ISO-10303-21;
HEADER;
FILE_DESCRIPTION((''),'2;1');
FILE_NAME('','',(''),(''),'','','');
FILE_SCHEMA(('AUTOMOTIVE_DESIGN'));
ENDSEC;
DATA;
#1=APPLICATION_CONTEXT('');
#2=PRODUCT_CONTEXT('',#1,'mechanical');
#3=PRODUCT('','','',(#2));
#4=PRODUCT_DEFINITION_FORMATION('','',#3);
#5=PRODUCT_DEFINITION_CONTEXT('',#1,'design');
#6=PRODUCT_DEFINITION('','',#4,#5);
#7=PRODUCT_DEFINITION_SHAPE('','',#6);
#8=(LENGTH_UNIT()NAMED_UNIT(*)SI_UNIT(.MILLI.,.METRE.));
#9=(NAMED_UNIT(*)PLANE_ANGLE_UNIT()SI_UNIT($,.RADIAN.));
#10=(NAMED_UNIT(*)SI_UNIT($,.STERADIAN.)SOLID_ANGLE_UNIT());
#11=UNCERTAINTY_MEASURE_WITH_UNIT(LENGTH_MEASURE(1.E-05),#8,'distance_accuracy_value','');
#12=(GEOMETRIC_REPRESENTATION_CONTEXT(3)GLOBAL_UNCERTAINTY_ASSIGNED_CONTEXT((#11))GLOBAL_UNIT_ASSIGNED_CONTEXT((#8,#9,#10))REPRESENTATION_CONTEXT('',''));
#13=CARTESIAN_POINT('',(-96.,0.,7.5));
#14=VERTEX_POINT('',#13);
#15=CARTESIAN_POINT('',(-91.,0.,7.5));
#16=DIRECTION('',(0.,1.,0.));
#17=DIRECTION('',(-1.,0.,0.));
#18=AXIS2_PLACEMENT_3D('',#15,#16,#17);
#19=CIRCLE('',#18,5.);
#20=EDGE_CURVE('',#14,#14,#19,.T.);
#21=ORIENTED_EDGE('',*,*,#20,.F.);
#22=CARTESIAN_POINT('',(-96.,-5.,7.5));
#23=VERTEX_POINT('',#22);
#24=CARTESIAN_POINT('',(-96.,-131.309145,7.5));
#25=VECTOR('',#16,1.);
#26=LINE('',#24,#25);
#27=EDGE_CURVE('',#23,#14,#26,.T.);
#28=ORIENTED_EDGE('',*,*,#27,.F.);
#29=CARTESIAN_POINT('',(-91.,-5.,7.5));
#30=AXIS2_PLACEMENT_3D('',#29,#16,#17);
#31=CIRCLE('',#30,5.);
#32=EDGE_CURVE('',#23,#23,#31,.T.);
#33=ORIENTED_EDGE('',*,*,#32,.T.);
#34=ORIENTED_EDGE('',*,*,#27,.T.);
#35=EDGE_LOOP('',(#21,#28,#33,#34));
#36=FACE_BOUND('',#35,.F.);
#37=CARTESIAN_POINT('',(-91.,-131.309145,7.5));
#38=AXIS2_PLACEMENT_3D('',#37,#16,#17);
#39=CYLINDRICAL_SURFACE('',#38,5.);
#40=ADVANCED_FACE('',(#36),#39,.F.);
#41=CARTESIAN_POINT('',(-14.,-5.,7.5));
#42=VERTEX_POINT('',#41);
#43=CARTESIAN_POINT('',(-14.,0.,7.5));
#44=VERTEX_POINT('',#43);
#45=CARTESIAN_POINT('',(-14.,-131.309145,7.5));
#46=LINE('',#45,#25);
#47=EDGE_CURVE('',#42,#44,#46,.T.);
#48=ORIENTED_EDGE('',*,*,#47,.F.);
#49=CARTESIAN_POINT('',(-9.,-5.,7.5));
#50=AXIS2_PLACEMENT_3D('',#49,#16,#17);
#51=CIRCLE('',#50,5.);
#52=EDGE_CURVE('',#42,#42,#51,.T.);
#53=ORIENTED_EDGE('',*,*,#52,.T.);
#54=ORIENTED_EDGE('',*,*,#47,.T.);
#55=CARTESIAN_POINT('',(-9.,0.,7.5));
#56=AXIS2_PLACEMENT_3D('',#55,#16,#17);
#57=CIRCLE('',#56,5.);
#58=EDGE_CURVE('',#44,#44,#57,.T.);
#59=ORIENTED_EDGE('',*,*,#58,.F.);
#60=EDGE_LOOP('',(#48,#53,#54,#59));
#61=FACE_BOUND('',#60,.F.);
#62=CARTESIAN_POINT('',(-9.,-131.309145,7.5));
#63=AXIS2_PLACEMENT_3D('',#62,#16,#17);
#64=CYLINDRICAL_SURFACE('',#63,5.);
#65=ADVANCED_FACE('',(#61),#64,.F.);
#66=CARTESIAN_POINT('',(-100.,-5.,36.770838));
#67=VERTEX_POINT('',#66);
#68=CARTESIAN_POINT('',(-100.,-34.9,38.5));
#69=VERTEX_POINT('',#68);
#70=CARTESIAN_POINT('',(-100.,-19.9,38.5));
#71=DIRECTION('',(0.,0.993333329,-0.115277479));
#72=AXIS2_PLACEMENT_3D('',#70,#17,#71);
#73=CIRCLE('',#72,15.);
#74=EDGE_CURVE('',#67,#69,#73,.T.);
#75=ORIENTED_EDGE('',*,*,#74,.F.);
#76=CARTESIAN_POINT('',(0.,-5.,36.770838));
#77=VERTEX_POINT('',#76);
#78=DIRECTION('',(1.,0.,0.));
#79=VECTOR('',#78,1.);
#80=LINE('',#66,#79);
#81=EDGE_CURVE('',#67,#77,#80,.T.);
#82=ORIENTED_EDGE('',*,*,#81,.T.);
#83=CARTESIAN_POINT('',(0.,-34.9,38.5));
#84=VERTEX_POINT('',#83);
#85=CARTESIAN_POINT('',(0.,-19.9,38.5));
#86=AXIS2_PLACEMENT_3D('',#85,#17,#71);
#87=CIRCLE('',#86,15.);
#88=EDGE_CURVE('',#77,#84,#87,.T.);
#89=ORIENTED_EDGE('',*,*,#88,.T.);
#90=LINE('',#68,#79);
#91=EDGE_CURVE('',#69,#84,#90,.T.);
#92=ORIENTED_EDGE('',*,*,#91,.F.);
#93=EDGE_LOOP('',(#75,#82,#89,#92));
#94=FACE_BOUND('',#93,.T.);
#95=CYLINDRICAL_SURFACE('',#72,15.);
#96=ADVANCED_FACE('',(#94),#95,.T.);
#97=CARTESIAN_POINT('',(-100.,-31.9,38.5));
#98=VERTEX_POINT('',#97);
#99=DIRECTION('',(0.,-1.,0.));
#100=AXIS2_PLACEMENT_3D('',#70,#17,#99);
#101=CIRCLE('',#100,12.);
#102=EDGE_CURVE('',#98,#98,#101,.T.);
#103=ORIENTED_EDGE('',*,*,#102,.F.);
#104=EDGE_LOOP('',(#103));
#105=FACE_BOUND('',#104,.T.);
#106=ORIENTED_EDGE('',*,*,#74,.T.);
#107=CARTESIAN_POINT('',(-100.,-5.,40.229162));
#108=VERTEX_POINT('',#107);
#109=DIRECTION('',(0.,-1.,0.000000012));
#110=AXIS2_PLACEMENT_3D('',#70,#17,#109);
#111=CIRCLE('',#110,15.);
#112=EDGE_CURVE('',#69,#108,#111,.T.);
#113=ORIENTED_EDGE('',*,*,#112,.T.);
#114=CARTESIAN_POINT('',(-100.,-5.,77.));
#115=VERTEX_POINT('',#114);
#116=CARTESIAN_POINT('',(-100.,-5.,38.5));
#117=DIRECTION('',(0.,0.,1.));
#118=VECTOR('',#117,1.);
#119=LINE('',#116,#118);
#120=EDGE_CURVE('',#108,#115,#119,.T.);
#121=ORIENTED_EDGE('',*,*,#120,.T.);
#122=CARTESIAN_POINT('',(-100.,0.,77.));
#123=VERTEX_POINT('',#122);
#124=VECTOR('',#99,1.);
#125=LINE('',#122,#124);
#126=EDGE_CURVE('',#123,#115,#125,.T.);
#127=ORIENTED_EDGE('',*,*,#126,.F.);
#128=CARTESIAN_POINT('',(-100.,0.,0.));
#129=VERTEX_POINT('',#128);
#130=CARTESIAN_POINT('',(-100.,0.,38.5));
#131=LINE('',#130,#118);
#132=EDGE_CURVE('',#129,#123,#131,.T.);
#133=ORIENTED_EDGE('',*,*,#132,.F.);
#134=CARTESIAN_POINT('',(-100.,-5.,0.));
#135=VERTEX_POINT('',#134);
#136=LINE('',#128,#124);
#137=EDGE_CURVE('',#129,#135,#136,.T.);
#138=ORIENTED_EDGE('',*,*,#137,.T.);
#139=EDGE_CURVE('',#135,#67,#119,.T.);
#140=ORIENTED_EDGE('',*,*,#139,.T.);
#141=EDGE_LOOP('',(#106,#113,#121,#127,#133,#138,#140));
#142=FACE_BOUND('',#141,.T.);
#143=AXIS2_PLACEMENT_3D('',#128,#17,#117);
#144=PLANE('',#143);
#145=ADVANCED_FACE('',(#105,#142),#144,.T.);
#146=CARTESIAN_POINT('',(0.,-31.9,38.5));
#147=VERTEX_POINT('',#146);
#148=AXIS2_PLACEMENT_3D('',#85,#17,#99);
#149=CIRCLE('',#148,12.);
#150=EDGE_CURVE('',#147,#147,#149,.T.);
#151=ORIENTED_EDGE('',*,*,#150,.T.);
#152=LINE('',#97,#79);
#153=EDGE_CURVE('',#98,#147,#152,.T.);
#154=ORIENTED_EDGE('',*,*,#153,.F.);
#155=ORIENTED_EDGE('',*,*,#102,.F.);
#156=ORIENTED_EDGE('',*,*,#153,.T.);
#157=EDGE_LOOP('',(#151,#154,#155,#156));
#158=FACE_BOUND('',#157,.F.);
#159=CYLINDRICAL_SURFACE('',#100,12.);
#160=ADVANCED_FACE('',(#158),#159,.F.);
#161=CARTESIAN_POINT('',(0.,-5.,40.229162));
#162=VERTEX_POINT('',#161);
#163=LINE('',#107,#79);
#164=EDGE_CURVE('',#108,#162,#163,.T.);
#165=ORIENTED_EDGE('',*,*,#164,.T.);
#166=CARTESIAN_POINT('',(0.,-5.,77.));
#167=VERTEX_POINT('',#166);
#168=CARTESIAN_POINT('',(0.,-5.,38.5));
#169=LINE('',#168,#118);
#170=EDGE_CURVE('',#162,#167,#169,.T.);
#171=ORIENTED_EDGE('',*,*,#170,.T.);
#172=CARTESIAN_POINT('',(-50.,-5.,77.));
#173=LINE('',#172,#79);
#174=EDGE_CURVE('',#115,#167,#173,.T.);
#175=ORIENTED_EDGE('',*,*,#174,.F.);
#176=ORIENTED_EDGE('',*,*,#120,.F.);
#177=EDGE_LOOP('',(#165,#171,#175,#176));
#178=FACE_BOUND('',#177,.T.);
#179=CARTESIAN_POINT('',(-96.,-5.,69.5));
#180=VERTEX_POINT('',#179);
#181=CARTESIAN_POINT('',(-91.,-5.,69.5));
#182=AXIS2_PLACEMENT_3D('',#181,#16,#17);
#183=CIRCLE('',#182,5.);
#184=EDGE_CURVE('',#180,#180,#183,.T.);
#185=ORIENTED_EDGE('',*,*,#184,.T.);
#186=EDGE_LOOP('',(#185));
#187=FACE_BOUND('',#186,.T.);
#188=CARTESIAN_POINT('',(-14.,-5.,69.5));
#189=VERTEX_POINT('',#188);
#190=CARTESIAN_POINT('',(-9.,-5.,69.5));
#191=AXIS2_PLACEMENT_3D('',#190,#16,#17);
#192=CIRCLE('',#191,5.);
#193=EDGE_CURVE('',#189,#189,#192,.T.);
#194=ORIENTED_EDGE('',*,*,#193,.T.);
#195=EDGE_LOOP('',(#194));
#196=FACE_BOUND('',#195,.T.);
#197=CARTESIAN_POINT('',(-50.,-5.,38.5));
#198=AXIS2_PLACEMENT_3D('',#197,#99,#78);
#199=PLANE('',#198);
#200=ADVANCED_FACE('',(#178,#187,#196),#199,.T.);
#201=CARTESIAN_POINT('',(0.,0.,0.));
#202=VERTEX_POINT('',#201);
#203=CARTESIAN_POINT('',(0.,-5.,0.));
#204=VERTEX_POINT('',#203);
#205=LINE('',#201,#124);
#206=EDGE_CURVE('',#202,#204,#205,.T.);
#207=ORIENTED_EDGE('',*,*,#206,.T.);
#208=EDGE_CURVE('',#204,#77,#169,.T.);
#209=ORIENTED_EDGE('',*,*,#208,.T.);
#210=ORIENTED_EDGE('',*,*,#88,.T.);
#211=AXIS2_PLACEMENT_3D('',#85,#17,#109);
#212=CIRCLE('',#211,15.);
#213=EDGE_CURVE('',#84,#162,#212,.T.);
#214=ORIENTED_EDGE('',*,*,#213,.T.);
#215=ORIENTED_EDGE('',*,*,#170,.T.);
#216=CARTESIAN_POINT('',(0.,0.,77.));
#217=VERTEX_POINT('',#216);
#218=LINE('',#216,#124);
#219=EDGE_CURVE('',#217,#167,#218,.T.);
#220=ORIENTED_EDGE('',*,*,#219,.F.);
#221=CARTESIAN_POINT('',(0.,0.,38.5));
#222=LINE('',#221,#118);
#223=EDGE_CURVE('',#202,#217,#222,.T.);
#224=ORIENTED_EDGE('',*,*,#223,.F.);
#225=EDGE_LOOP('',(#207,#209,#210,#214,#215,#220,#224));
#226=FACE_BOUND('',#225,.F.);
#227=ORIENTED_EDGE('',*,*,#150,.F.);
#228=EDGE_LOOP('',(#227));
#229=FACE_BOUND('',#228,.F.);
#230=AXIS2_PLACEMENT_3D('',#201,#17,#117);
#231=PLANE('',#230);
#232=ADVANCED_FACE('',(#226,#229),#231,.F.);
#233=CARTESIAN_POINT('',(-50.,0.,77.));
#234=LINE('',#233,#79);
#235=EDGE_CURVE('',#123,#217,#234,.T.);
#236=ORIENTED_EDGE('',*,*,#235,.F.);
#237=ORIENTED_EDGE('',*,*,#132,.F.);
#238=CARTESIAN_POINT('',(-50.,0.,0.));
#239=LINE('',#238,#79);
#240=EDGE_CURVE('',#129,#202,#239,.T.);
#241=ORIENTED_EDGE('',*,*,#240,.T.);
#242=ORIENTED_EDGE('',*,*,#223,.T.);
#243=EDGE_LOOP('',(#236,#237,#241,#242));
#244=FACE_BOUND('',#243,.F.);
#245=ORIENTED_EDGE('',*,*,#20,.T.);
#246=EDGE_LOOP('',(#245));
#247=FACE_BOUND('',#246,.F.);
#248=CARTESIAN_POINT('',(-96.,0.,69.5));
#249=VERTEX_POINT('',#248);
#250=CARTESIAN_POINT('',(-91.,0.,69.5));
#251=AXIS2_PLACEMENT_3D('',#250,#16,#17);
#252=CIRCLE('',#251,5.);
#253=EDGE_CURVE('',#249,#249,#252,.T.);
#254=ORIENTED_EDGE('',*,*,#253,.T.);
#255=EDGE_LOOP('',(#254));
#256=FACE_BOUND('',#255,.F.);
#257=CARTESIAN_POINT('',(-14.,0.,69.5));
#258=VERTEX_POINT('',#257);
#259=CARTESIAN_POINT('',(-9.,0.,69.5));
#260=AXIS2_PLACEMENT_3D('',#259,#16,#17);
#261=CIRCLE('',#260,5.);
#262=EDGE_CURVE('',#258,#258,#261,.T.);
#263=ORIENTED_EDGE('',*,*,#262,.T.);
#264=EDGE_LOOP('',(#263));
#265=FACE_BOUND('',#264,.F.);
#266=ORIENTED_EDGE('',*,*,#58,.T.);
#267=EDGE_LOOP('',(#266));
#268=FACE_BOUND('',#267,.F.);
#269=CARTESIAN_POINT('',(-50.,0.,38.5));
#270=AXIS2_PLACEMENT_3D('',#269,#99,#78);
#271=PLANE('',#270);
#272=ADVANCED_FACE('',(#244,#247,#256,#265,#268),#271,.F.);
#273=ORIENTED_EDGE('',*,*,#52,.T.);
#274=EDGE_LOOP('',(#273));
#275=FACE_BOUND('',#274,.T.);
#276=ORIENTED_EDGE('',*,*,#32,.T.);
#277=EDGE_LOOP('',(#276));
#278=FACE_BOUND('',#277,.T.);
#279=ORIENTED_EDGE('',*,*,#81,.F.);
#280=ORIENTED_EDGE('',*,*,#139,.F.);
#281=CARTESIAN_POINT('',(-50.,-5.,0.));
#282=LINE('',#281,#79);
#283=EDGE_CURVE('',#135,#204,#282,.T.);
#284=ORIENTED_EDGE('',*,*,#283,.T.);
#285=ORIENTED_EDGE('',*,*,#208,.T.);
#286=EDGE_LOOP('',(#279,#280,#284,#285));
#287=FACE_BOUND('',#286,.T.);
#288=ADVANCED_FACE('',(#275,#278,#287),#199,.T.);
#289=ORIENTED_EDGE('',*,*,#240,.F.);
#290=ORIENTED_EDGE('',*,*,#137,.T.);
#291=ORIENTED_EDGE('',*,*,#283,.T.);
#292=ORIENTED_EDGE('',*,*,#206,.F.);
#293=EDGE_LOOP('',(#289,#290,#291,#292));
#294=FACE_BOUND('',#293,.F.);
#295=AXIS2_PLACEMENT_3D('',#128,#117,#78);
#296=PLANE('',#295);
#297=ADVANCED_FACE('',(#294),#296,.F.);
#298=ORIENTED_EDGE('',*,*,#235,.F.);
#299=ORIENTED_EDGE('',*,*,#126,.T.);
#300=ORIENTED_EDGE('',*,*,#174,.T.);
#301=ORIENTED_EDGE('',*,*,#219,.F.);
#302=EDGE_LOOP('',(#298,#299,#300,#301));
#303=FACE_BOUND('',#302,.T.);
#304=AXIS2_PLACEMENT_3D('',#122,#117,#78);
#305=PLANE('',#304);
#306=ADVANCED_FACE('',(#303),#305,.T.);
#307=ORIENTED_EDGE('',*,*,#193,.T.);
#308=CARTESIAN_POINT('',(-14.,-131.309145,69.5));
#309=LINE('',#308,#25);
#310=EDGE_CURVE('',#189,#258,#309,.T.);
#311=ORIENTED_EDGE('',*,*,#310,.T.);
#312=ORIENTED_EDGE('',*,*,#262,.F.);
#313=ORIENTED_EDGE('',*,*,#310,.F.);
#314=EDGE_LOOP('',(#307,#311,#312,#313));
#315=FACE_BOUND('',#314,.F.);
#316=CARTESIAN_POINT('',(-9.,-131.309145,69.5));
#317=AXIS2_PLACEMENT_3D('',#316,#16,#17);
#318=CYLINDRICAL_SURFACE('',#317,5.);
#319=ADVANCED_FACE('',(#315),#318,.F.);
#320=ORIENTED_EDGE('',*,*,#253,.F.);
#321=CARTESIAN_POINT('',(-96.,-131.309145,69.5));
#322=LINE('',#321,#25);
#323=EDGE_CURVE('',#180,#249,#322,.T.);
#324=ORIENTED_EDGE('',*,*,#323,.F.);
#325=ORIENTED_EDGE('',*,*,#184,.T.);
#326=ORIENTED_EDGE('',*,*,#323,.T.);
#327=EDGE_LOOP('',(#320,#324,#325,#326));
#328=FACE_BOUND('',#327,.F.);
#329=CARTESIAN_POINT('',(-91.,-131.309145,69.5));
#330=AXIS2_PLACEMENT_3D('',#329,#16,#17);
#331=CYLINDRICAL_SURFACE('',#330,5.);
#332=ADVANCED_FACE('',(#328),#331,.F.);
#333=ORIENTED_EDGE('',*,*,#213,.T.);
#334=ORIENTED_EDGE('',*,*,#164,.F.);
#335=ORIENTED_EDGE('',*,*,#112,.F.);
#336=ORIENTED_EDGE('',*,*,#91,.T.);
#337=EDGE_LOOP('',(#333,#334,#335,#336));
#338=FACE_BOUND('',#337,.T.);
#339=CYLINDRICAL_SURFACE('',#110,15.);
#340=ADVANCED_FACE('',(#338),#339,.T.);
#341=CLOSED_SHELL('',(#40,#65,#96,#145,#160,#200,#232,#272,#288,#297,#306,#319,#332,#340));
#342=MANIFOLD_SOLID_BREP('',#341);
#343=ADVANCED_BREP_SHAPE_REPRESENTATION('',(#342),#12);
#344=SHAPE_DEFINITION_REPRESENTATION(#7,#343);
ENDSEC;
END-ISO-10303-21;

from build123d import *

# Parameters (mm, degrees)
F0_W     = 100
F0_H     = 77
F1_DEPTH = 5
F3_D     = 10
F4_R     = 12
F5_DEPTH = 100


with BuildPart() as f1:
    # F0 (on Front) → F1 (new body)
    with BuildSketch(Plane.XZ):
        with Locations((-50, 38.5)):
            Rectangle(F0_W, F0_H)
    extrude(amount=F1_DEPTH)

    # F3 (through all)
    with Locations(Plane.XZ.offset(5)):
        with Locations((-91, 69.5), (-9, 69.5), (-91, 7.5), (-9, 7.5)):
            Hole(F3_D / 2)

    # F4 (on face) → F5 (join, through all)
    with BuildSketch(Plane(origin=(-100, 0, 0), x_dir=(0, -1, 0), z_dir=(-1, 0, 0))):
        with BuildLine():
            ThreePointArc((5, 36.770838), (20.766025, 23.525021), (34.9, 38.5))
            ThreePointArc((34.9, 38.5), (20.766025, 53.474979), (5, 40.229162))
            Line((5, 40.229162), (5, 36.770838))
        make_face()
        with Locations((19.9, 38.5)):
            Circle(F4_R, mode=Mode.SUBTRACT)
    extrude(amount=-F5_DEPTH)


solid = f1.part
